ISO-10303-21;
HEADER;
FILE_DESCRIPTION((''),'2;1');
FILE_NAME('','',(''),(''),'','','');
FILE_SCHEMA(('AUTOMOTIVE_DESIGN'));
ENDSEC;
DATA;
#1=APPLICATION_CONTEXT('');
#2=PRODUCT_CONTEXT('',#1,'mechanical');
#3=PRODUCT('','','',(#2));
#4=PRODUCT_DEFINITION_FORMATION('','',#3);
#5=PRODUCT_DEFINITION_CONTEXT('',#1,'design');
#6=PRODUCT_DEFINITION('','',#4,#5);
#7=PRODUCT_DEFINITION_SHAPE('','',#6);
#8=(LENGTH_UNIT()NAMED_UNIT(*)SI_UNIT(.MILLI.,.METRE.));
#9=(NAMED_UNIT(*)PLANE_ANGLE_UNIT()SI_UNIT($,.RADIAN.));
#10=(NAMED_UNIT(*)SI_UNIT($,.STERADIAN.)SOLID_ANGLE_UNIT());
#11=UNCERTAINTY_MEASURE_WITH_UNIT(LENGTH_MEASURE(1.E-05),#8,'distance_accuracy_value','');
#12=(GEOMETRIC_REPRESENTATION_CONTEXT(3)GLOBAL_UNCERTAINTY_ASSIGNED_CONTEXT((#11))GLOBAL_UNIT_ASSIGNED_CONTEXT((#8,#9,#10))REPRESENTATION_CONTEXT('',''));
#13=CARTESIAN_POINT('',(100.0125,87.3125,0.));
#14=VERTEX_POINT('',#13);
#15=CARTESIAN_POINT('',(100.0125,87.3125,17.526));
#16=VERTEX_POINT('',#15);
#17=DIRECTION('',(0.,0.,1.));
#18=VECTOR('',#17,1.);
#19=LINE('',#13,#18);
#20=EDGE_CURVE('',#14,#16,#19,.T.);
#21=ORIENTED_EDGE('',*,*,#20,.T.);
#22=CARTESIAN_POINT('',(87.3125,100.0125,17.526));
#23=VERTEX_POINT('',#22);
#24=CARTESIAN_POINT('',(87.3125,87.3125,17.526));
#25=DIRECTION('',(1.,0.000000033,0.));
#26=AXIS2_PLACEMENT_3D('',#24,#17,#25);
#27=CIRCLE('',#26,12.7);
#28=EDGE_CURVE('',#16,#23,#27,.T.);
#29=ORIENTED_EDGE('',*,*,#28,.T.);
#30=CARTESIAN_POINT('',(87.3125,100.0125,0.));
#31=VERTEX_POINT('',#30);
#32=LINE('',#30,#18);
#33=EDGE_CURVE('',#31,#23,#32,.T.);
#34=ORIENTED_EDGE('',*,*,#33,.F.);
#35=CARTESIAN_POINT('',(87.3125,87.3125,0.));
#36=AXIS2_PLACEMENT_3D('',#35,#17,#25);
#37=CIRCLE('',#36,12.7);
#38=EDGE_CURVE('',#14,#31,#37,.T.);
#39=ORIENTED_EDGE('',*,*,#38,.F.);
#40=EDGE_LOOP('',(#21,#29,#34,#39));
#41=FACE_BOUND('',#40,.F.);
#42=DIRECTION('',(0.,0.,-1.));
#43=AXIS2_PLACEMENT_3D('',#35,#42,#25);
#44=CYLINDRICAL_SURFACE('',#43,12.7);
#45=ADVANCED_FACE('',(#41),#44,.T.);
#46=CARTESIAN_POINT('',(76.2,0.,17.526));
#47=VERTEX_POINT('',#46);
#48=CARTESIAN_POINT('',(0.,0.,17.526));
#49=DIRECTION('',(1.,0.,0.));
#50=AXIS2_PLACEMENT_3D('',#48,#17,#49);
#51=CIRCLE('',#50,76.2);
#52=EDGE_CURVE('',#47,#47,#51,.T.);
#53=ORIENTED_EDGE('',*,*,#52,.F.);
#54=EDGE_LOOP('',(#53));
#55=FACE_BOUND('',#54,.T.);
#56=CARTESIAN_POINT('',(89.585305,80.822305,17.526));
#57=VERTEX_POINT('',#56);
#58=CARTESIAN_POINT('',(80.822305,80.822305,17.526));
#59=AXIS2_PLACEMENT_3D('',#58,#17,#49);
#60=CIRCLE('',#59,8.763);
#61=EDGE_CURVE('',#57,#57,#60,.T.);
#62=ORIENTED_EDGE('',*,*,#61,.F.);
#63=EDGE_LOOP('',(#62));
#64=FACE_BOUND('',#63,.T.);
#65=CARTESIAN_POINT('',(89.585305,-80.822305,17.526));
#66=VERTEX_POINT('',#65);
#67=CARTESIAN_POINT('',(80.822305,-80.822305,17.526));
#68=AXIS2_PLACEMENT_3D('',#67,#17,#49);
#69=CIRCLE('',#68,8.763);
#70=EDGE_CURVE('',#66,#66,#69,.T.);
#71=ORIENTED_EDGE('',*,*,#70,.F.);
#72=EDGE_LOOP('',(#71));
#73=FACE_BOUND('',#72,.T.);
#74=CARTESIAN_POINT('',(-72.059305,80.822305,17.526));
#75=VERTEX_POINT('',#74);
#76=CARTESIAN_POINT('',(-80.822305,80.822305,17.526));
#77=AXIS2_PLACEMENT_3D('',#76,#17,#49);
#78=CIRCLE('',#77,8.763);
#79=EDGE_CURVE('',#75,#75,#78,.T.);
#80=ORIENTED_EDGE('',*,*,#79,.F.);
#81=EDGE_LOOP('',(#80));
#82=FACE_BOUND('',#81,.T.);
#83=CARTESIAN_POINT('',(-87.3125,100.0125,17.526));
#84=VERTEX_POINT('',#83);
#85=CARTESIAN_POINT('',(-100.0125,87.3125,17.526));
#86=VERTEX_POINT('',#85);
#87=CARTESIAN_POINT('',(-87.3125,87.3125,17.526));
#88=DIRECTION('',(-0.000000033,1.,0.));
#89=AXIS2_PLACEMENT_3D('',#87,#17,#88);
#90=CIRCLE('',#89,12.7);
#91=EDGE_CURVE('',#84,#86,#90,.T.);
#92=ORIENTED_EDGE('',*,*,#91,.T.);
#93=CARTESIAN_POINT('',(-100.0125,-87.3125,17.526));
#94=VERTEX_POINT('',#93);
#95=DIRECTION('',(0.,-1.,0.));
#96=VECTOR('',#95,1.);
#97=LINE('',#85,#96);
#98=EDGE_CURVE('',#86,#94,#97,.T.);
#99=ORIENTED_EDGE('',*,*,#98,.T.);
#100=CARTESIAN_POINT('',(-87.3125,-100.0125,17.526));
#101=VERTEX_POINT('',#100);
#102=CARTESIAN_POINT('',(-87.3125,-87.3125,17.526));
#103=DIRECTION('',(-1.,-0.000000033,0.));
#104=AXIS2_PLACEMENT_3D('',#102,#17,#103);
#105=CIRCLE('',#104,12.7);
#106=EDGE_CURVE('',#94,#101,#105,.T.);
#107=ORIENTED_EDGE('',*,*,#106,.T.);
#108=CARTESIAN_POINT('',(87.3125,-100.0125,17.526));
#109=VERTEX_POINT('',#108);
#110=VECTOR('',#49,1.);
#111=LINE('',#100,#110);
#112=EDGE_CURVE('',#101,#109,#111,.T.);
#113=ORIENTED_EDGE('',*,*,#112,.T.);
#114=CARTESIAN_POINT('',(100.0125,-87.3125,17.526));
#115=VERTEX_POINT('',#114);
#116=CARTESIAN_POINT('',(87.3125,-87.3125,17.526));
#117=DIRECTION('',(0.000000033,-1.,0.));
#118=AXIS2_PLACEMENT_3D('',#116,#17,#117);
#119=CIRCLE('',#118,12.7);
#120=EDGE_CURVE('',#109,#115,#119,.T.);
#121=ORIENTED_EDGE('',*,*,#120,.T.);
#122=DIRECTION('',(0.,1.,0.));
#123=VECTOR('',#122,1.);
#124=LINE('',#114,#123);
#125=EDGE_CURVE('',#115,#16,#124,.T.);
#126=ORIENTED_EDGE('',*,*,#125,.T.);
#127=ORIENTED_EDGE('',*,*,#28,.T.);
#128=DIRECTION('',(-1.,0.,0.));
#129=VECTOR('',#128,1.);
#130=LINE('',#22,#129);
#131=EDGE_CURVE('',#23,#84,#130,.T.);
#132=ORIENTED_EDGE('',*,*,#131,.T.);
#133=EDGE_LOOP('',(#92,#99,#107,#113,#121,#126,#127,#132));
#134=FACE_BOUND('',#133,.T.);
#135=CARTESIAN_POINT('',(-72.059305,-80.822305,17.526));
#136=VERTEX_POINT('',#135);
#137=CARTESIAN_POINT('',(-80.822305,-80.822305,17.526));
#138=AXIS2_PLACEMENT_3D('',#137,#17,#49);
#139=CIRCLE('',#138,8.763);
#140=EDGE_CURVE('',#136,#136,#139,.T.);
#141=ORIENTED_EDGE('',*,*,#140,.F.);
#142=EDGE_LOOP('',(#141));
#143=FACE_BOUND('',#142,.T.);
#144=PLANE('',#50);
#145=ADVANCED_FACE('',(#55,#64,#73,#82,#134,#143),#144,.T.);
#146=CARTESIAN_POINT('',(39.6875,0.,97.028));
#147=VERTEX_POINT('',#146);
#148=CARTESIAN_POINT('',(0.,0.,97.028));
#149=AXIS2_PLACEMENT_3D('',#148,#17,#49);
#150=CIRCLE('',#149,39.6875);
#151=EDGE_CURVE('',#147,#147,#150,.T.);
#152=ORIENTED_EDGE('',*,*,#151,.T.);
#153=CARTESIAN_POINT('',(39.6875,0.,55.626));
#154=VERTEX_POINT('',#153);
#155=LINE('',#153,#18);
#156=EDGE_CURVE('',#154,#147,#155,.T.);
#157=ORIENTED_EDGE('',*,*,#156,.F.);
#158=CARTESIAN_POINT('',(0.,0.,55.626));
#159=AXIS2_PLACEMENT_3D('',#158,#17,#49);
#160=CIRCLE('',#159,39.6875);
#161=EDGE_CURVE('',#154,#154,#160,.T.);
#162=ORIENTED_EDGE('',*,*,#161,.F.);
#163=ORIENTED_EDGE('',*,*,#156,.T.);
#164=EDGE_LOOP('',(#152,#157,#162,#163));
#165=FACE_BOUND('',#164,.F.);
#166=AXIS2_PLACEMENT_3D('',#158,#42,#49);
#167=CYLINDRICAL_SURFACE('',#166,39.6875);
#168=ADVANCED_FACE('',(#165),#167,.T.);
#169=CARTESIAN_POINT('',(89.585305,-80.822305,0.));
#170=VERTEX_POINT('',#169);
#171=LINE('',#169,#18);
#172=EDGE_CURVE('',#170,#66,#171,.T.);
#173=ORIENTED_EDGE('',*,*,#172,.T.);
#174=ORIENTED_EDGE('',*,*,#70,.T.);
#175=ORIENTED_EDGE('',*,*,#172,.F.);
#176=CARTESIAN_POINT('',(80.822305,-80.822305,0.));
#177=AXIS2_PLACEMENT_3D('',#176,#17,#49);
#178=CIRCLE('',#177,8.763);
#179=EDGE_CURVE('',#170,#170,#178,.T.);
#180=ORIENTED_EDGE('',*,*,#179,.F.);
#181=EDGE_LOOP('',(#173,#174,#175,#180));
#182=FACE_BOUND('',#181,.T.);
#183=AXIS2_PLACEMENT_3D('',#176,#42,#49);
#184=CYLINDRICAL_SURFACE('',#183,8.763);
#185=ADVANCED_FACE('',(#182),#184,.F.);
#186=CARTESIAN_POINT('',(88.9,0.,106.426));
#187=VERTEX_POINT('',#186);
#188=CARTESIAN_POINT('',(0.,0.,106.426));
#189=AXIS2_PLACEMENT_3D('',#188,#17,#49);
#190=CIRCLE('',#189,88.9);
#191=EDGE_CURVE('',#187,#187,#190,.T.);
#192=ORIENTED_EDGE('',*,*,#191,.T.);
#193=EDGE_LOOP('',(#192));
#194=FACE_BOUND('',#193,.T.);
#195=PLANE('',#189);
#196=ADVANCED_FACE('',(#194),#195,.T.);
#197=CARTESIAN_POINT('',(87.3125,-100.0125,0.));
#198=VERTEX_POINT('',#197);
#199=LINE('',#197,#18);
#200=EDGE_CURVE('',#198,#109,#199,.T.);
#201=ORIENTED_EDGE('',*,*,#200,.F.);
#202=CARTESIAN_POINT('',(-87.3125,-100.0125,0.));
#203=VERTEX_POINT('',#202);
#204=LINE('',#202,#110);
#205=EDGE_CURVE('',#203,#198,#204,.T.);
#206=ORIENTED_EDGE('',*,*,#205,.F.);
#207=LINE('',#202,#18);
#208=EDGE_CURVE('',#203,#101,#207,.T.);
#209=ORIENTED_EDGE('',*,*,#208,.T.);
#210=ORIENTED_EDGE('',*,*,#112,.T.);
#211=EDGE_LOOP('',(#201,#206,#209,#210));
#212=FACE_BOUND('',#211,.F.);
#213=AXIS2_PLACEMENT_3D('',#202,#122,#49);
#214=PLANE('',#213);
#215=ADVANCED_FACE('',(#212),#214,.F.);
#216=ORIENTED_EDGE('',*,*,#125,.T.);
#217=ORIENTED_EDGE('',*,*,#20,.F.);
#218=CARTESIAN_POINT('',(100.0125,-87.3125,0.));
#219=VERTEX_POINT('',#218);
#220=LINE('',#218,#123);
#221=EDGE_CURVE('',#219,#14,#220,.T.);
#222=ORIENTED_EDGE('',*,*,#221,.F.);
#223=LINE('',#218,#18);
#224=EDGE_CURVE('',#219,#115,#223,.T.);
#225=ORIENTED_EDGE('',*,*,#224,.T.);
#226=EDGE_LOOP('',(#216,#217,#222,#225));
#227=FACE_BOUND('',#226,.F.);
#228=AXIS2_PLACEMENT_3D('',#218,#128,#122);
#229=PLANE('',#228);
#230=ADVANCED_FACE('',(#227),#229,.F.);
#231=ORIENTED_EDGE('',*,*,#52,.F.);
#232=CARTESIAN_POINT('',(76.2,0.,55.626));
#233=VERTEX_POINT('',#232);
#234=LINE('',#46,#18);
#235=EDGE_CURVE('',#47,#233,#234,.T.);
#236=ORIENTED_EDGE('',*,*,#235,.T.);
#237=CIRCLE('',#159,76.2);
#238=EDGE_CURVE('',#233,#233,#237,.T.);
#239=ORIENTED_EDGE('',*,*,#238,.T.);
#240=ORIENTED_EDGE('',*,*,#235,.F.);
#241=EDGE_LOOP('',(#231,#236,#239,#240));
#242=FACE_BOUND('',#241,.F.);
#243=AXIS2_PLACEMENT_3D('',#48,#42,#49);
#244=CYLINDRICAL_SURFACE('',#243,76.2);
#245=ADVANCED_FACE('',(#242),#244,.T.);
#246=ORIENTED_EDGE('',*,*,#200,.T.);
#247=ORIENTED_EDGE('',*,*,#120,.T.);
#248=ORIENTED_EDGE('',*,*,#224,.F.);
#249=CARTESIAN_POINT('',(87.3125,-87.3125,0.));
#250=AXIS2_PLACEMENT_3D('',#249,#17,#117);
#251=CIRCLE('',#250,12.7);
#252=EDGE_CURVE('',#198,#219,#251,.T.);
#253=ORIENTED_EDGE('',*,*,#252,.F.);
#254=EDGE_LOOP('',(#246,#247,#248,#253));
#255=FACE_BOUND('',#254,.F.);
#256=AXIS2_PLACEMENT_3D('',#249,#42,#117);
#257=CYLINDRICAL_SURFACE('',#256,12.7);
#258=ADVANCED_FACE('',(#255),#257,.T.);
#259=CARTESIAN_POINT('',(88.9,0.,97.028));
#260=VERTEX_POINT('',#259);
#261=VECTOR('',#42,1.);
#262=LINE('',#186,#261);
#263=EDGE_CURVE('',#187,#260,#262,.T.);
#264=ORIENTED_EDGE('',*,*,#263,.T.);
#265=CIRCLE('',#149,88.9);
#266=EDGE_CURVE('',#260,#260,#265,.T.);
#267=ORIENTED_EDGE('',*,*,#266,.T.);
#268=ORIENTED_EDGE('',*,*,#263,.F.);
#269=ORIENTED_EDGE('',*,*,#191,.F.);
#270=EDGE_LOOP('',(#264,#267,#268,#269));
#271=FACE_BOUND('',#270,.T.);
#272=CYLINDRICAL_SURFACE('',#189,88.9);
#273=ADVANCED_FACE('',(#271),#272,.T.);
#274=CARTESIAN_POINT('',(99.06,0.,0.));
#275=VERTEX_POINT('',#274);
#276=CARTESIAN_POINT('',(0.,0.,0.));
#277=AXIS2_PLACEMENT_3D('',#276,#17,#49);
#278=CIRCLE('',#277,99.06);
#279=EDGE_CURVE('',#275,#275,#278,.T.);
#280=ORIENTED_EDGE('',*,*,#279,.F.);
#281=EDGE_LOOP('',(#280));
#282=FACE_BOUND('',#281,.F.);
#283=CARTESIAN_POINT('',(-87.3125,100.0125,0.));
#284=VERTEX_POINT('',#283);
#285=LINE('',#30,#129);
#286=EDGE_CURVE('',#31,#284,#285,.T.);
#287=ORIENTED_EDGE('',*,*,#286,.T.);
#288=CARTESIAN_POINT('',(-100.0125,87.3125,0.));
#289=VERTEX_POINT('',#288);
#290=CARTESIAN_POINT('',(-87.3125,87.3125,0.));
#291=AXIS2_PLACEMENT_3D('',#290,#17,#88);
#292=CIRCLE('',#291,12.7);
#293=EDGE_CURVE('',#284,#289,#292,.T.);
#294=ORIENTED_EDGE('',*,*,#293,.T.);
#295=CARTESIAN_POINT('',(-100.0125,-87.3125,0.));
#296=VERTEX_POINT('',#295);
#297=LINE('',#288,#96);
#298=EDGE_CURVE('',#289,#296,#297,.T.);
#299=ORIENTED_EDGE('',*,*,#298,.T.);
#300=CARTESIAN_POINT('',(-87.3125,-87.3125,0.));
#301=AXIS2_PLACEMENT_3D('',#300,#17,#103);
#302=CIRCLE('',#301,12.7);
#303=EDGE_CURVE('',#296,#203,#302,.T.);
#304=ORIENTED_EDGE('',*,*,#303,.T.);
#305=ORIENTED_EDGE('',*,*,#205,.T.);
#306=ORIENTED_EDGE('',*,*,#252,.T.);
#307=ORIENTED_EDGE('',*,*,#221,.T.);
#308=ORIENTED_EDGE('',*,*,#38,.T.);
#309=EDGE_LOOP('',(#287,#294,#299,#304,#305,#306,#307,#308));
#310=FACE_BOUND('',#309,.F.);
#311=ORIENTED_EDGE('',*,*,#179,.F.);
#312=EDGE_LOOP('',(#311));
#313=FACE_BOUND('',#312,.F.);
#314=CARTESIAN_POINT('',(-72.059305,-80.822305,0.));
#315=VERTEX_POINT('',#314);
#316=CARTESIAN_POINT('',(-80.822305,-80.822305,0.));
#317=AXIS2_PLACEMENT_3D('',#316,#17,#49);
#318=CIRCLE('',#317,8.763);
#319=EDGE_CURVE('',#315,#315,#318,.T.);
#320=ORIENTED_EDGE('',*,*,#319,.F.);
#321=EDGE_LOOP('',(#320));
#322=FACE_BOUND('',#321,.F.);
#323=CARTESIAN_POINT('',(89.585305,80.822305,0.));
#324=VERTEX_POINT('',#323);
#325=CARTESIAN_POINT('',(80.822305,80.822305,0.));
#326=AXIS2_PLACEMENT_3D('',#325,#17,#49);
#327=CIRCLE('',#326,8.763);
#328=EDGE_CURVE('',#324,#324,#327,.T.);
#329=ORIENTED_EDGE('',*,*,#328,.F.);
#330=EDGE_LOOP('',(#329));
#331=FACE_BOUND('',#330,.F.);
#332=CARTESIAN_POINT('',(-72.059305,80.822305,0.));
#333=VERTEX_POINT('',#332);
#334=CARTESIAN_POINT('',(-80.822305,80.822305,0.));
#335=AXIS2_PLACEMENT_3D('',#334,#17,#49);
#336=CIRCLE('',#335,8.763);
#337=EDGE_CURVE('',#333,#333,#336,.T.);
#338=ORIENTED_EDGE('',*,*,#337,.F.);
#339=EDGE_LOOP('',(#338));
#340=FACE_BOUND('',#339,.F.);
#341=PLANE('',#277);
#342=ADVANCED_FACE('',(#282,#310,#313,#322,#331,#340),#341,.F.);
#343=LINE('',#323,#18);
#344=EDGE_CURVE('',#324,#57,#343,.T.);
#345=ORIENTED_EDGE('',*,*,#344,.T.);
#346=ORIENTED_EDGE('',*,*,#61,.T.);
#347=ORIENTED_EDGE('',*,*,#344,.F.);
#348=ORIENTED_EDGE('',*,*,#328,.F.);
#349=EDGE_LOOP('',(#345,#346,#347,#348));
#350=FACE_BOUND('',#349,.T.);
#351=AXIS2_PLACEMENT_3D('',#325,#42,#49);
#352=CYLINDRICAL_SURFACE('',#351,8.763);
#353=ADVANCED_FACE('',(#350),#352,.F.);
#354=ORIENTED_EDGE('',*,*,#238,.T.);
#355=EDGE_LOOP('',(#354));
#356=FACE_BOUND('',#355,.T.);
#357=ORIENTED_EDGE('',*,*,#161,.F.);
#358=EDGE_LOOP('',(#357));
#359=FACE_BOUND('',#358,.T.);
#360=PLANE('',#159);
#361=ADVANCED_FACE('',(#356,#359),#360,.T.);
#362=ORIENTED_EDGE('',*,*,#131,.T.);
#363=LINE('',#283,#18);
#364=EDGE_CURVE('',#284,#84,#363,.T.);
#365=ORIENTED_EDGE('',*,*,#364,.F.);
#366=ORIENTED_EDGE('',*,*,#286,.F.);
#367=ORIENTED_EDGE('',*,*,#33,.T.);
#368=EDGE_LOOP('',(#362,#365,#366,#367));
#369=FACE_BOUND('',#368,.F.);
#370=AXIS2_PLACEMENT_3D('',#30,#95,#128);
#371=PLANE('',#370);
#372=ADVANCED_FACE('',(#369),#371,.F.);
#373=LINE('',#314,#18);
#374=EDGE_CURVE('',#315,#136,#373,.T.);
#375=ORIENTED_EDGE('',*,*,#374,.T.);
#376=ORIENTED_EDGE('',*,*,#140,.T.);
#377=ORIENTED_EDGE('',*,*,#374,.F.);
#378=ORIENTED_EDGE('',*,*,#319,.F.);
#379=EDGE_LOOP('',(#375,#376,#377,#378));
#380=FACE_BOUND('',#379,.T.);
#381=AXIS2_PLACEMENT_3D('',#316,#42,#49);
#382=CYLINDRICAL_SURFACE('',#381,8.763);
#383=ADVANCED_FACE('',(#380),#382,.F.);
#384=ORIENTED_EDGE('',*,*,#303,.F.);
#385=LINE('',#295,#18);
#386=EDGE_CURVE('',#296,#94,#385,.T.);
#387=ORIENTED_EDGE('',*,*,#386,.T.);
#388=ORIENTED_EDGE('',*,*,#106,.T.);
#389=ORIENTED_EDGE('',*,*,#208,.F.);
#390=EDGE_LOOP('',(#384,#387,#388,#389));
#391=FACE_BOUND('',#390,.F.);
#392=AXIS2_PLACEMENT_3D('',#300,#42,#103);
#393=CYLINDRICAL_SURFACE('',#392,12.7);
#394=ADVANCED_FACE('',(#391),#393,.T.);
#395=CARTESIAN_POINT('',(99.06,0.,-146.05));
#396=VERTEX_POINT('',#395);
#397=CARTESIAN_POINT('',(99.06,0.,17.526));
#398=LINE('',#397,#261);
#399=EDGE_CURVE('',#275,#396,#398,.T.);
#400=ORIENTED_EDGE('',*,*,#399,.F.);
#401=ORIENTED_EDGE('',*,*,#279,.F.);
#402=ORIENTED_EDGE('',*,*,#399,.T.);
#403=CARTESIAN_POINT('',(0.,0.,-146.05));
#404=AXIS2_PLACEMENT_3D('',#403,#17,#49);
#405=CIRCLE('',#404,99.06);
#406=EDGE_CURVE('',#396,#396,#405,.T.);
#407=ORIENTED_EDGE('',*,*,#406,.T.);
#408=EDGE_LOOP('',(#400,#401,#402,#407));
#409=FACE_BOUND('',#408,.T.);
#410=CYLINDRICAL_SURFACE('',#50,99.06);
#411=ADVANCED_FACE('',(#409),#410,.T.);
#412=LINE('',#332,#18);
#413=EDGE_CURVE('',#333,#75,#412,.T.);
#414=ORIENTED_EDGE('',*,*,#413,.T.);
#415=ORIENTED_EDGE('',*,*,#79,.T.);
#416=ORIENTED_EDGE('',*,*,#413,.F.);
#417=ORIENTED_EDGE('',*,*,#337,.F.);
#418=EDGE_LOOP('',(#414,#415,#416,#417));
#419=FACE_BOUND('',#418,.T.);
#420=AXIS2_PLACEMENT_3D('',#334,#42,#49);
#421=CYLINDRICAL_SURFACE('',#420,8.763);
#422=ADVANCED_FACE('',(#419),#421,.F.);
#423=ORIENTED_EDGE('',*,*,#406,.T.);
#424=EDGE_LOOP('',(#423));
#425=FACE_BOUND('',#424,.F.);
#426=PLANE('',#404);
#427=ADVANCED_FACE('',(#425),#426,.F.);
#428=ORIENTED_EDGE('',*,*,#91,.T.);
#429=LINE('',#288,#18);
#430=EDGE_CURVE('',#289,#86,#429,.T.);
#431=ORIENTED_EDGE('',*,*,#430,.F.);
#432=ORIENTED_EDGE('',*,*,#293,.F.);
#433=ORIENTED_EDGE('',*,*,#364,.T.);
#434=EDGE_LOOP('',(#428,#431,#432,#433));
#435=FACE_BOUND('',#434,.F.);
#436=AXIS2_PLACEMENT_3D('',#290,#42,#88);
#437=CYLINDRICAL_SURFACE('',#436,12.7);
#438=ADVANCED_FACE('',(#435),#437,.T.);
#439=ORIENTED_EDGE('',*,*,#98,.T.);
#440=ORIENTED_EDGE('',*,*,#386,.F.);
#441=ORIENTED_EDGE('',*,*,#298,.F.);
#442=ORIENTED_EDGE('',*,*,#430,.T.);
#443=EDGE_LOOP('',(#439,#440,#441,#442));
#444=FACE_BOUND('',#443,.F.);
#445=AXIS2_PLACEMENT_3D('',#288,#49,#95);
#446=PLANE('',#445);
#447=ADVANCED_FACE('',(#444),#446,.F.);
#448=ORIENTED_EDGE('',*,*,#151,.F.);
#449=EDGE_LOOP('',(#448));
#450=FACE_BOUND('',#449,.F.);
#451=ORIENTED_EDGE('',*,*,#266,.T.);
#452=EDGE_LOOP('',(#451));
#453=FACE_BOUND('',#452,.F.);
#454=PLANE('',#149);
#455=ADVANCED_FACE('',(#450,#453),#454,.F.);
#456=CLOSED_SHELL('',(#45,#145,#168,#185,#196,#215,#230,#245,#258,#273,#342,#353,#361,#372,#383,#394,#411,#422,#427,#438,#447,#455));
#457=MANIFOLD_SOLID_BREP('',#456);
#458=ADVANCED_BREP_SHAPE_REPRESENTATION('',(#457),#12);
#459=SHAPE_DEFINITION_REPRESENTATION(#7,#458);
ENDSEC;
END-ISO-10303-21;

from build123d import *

# Parameters (mm, degrees)
F0_R      = 8.763
F1_DEPTH  = 17.526
F2_R      = 99.06
F3_DEPTH  = 163.576
F4_R      = 76.2
F5_DEPTH  = 38.1
F6_R      = 39.6875
F7_DEPTH  = 41.402
F9_R      = 88.9
F10_DEPTH = 9.398


with BuildPart() as f1:
    # F0 (on Top) → F1 (new body)
    with BuildSketch(Plane.XY):
        with BuildLine():
            Line((87.3125, 100.0125), (-87.3125, 100.0125))
            ThreePointArc((-87.3125, 100.0125), (-96.292756, 96.292756), (-100.0125, 87.3125))
            Line((-100.0125, 87.3125), (-100.0125, -87.3125))
            ThreePointArc((-100.0125, -87.3125), (-96.292756, -96.292756), (-87.3125, -100.0125))
            Line((-87.3125, -100.0125), (87.3125, -100.0125))
            ThreePointArc((87.3125, -100.0125), (96.292756, -96.292756), (100.0125, -87.3125))
            Line((100.0125, -87.3125), (100.0125, 87.3125))
            ThreePointArc((100.0125, 87.3125), (96.292756, 96.292756), (87.3125, 100.0125))
        make_face()
        with Locations((-80.822305, -80.822305)):
            Circle(F0_R, mode=Mode.SUBTRACT)
        with Locations((80.822305, -80.822305)):
            Circle(F0_R, mode=Mode.SUBTRACT)
        with Locations((-80.822305, 80.822305)):
            Circle(F0_R, mode=Mode.SUBTRACT)
        with Locations((80.822305, 80.822305)):
            Circle(F0_R, mode=Mode.SUBTRACT)
    extrude(amount=F1_DEPTH)

    # F2 (on face) → F3 (join)
    with BuildSketch(Plane.XY.offset(17.526)):
        Circle(F2_R)
    extrude(amount=-F3_DEPTH)

    # F4 (on face) → F5 (join)
    with BuildSketch(Plane.XY.offset(17.526)):
        Circle(F4_R)
    extrude(amount=F5_DEPTH)

    # F6 (on face) → F7 (join)
    with BuildSketch(Plane.XY.offset(55.626)):
        Circle(F6_R)
    extrude(amount=F7_DEPTH)

    # F9 (on offset) → F10 (join, through all)
    with BuildSketch(Plane.XY.offset(106.426)):
        Circle(F9_R)
    extrude(amount=-F10_DEPTH)


solid = f1.part
